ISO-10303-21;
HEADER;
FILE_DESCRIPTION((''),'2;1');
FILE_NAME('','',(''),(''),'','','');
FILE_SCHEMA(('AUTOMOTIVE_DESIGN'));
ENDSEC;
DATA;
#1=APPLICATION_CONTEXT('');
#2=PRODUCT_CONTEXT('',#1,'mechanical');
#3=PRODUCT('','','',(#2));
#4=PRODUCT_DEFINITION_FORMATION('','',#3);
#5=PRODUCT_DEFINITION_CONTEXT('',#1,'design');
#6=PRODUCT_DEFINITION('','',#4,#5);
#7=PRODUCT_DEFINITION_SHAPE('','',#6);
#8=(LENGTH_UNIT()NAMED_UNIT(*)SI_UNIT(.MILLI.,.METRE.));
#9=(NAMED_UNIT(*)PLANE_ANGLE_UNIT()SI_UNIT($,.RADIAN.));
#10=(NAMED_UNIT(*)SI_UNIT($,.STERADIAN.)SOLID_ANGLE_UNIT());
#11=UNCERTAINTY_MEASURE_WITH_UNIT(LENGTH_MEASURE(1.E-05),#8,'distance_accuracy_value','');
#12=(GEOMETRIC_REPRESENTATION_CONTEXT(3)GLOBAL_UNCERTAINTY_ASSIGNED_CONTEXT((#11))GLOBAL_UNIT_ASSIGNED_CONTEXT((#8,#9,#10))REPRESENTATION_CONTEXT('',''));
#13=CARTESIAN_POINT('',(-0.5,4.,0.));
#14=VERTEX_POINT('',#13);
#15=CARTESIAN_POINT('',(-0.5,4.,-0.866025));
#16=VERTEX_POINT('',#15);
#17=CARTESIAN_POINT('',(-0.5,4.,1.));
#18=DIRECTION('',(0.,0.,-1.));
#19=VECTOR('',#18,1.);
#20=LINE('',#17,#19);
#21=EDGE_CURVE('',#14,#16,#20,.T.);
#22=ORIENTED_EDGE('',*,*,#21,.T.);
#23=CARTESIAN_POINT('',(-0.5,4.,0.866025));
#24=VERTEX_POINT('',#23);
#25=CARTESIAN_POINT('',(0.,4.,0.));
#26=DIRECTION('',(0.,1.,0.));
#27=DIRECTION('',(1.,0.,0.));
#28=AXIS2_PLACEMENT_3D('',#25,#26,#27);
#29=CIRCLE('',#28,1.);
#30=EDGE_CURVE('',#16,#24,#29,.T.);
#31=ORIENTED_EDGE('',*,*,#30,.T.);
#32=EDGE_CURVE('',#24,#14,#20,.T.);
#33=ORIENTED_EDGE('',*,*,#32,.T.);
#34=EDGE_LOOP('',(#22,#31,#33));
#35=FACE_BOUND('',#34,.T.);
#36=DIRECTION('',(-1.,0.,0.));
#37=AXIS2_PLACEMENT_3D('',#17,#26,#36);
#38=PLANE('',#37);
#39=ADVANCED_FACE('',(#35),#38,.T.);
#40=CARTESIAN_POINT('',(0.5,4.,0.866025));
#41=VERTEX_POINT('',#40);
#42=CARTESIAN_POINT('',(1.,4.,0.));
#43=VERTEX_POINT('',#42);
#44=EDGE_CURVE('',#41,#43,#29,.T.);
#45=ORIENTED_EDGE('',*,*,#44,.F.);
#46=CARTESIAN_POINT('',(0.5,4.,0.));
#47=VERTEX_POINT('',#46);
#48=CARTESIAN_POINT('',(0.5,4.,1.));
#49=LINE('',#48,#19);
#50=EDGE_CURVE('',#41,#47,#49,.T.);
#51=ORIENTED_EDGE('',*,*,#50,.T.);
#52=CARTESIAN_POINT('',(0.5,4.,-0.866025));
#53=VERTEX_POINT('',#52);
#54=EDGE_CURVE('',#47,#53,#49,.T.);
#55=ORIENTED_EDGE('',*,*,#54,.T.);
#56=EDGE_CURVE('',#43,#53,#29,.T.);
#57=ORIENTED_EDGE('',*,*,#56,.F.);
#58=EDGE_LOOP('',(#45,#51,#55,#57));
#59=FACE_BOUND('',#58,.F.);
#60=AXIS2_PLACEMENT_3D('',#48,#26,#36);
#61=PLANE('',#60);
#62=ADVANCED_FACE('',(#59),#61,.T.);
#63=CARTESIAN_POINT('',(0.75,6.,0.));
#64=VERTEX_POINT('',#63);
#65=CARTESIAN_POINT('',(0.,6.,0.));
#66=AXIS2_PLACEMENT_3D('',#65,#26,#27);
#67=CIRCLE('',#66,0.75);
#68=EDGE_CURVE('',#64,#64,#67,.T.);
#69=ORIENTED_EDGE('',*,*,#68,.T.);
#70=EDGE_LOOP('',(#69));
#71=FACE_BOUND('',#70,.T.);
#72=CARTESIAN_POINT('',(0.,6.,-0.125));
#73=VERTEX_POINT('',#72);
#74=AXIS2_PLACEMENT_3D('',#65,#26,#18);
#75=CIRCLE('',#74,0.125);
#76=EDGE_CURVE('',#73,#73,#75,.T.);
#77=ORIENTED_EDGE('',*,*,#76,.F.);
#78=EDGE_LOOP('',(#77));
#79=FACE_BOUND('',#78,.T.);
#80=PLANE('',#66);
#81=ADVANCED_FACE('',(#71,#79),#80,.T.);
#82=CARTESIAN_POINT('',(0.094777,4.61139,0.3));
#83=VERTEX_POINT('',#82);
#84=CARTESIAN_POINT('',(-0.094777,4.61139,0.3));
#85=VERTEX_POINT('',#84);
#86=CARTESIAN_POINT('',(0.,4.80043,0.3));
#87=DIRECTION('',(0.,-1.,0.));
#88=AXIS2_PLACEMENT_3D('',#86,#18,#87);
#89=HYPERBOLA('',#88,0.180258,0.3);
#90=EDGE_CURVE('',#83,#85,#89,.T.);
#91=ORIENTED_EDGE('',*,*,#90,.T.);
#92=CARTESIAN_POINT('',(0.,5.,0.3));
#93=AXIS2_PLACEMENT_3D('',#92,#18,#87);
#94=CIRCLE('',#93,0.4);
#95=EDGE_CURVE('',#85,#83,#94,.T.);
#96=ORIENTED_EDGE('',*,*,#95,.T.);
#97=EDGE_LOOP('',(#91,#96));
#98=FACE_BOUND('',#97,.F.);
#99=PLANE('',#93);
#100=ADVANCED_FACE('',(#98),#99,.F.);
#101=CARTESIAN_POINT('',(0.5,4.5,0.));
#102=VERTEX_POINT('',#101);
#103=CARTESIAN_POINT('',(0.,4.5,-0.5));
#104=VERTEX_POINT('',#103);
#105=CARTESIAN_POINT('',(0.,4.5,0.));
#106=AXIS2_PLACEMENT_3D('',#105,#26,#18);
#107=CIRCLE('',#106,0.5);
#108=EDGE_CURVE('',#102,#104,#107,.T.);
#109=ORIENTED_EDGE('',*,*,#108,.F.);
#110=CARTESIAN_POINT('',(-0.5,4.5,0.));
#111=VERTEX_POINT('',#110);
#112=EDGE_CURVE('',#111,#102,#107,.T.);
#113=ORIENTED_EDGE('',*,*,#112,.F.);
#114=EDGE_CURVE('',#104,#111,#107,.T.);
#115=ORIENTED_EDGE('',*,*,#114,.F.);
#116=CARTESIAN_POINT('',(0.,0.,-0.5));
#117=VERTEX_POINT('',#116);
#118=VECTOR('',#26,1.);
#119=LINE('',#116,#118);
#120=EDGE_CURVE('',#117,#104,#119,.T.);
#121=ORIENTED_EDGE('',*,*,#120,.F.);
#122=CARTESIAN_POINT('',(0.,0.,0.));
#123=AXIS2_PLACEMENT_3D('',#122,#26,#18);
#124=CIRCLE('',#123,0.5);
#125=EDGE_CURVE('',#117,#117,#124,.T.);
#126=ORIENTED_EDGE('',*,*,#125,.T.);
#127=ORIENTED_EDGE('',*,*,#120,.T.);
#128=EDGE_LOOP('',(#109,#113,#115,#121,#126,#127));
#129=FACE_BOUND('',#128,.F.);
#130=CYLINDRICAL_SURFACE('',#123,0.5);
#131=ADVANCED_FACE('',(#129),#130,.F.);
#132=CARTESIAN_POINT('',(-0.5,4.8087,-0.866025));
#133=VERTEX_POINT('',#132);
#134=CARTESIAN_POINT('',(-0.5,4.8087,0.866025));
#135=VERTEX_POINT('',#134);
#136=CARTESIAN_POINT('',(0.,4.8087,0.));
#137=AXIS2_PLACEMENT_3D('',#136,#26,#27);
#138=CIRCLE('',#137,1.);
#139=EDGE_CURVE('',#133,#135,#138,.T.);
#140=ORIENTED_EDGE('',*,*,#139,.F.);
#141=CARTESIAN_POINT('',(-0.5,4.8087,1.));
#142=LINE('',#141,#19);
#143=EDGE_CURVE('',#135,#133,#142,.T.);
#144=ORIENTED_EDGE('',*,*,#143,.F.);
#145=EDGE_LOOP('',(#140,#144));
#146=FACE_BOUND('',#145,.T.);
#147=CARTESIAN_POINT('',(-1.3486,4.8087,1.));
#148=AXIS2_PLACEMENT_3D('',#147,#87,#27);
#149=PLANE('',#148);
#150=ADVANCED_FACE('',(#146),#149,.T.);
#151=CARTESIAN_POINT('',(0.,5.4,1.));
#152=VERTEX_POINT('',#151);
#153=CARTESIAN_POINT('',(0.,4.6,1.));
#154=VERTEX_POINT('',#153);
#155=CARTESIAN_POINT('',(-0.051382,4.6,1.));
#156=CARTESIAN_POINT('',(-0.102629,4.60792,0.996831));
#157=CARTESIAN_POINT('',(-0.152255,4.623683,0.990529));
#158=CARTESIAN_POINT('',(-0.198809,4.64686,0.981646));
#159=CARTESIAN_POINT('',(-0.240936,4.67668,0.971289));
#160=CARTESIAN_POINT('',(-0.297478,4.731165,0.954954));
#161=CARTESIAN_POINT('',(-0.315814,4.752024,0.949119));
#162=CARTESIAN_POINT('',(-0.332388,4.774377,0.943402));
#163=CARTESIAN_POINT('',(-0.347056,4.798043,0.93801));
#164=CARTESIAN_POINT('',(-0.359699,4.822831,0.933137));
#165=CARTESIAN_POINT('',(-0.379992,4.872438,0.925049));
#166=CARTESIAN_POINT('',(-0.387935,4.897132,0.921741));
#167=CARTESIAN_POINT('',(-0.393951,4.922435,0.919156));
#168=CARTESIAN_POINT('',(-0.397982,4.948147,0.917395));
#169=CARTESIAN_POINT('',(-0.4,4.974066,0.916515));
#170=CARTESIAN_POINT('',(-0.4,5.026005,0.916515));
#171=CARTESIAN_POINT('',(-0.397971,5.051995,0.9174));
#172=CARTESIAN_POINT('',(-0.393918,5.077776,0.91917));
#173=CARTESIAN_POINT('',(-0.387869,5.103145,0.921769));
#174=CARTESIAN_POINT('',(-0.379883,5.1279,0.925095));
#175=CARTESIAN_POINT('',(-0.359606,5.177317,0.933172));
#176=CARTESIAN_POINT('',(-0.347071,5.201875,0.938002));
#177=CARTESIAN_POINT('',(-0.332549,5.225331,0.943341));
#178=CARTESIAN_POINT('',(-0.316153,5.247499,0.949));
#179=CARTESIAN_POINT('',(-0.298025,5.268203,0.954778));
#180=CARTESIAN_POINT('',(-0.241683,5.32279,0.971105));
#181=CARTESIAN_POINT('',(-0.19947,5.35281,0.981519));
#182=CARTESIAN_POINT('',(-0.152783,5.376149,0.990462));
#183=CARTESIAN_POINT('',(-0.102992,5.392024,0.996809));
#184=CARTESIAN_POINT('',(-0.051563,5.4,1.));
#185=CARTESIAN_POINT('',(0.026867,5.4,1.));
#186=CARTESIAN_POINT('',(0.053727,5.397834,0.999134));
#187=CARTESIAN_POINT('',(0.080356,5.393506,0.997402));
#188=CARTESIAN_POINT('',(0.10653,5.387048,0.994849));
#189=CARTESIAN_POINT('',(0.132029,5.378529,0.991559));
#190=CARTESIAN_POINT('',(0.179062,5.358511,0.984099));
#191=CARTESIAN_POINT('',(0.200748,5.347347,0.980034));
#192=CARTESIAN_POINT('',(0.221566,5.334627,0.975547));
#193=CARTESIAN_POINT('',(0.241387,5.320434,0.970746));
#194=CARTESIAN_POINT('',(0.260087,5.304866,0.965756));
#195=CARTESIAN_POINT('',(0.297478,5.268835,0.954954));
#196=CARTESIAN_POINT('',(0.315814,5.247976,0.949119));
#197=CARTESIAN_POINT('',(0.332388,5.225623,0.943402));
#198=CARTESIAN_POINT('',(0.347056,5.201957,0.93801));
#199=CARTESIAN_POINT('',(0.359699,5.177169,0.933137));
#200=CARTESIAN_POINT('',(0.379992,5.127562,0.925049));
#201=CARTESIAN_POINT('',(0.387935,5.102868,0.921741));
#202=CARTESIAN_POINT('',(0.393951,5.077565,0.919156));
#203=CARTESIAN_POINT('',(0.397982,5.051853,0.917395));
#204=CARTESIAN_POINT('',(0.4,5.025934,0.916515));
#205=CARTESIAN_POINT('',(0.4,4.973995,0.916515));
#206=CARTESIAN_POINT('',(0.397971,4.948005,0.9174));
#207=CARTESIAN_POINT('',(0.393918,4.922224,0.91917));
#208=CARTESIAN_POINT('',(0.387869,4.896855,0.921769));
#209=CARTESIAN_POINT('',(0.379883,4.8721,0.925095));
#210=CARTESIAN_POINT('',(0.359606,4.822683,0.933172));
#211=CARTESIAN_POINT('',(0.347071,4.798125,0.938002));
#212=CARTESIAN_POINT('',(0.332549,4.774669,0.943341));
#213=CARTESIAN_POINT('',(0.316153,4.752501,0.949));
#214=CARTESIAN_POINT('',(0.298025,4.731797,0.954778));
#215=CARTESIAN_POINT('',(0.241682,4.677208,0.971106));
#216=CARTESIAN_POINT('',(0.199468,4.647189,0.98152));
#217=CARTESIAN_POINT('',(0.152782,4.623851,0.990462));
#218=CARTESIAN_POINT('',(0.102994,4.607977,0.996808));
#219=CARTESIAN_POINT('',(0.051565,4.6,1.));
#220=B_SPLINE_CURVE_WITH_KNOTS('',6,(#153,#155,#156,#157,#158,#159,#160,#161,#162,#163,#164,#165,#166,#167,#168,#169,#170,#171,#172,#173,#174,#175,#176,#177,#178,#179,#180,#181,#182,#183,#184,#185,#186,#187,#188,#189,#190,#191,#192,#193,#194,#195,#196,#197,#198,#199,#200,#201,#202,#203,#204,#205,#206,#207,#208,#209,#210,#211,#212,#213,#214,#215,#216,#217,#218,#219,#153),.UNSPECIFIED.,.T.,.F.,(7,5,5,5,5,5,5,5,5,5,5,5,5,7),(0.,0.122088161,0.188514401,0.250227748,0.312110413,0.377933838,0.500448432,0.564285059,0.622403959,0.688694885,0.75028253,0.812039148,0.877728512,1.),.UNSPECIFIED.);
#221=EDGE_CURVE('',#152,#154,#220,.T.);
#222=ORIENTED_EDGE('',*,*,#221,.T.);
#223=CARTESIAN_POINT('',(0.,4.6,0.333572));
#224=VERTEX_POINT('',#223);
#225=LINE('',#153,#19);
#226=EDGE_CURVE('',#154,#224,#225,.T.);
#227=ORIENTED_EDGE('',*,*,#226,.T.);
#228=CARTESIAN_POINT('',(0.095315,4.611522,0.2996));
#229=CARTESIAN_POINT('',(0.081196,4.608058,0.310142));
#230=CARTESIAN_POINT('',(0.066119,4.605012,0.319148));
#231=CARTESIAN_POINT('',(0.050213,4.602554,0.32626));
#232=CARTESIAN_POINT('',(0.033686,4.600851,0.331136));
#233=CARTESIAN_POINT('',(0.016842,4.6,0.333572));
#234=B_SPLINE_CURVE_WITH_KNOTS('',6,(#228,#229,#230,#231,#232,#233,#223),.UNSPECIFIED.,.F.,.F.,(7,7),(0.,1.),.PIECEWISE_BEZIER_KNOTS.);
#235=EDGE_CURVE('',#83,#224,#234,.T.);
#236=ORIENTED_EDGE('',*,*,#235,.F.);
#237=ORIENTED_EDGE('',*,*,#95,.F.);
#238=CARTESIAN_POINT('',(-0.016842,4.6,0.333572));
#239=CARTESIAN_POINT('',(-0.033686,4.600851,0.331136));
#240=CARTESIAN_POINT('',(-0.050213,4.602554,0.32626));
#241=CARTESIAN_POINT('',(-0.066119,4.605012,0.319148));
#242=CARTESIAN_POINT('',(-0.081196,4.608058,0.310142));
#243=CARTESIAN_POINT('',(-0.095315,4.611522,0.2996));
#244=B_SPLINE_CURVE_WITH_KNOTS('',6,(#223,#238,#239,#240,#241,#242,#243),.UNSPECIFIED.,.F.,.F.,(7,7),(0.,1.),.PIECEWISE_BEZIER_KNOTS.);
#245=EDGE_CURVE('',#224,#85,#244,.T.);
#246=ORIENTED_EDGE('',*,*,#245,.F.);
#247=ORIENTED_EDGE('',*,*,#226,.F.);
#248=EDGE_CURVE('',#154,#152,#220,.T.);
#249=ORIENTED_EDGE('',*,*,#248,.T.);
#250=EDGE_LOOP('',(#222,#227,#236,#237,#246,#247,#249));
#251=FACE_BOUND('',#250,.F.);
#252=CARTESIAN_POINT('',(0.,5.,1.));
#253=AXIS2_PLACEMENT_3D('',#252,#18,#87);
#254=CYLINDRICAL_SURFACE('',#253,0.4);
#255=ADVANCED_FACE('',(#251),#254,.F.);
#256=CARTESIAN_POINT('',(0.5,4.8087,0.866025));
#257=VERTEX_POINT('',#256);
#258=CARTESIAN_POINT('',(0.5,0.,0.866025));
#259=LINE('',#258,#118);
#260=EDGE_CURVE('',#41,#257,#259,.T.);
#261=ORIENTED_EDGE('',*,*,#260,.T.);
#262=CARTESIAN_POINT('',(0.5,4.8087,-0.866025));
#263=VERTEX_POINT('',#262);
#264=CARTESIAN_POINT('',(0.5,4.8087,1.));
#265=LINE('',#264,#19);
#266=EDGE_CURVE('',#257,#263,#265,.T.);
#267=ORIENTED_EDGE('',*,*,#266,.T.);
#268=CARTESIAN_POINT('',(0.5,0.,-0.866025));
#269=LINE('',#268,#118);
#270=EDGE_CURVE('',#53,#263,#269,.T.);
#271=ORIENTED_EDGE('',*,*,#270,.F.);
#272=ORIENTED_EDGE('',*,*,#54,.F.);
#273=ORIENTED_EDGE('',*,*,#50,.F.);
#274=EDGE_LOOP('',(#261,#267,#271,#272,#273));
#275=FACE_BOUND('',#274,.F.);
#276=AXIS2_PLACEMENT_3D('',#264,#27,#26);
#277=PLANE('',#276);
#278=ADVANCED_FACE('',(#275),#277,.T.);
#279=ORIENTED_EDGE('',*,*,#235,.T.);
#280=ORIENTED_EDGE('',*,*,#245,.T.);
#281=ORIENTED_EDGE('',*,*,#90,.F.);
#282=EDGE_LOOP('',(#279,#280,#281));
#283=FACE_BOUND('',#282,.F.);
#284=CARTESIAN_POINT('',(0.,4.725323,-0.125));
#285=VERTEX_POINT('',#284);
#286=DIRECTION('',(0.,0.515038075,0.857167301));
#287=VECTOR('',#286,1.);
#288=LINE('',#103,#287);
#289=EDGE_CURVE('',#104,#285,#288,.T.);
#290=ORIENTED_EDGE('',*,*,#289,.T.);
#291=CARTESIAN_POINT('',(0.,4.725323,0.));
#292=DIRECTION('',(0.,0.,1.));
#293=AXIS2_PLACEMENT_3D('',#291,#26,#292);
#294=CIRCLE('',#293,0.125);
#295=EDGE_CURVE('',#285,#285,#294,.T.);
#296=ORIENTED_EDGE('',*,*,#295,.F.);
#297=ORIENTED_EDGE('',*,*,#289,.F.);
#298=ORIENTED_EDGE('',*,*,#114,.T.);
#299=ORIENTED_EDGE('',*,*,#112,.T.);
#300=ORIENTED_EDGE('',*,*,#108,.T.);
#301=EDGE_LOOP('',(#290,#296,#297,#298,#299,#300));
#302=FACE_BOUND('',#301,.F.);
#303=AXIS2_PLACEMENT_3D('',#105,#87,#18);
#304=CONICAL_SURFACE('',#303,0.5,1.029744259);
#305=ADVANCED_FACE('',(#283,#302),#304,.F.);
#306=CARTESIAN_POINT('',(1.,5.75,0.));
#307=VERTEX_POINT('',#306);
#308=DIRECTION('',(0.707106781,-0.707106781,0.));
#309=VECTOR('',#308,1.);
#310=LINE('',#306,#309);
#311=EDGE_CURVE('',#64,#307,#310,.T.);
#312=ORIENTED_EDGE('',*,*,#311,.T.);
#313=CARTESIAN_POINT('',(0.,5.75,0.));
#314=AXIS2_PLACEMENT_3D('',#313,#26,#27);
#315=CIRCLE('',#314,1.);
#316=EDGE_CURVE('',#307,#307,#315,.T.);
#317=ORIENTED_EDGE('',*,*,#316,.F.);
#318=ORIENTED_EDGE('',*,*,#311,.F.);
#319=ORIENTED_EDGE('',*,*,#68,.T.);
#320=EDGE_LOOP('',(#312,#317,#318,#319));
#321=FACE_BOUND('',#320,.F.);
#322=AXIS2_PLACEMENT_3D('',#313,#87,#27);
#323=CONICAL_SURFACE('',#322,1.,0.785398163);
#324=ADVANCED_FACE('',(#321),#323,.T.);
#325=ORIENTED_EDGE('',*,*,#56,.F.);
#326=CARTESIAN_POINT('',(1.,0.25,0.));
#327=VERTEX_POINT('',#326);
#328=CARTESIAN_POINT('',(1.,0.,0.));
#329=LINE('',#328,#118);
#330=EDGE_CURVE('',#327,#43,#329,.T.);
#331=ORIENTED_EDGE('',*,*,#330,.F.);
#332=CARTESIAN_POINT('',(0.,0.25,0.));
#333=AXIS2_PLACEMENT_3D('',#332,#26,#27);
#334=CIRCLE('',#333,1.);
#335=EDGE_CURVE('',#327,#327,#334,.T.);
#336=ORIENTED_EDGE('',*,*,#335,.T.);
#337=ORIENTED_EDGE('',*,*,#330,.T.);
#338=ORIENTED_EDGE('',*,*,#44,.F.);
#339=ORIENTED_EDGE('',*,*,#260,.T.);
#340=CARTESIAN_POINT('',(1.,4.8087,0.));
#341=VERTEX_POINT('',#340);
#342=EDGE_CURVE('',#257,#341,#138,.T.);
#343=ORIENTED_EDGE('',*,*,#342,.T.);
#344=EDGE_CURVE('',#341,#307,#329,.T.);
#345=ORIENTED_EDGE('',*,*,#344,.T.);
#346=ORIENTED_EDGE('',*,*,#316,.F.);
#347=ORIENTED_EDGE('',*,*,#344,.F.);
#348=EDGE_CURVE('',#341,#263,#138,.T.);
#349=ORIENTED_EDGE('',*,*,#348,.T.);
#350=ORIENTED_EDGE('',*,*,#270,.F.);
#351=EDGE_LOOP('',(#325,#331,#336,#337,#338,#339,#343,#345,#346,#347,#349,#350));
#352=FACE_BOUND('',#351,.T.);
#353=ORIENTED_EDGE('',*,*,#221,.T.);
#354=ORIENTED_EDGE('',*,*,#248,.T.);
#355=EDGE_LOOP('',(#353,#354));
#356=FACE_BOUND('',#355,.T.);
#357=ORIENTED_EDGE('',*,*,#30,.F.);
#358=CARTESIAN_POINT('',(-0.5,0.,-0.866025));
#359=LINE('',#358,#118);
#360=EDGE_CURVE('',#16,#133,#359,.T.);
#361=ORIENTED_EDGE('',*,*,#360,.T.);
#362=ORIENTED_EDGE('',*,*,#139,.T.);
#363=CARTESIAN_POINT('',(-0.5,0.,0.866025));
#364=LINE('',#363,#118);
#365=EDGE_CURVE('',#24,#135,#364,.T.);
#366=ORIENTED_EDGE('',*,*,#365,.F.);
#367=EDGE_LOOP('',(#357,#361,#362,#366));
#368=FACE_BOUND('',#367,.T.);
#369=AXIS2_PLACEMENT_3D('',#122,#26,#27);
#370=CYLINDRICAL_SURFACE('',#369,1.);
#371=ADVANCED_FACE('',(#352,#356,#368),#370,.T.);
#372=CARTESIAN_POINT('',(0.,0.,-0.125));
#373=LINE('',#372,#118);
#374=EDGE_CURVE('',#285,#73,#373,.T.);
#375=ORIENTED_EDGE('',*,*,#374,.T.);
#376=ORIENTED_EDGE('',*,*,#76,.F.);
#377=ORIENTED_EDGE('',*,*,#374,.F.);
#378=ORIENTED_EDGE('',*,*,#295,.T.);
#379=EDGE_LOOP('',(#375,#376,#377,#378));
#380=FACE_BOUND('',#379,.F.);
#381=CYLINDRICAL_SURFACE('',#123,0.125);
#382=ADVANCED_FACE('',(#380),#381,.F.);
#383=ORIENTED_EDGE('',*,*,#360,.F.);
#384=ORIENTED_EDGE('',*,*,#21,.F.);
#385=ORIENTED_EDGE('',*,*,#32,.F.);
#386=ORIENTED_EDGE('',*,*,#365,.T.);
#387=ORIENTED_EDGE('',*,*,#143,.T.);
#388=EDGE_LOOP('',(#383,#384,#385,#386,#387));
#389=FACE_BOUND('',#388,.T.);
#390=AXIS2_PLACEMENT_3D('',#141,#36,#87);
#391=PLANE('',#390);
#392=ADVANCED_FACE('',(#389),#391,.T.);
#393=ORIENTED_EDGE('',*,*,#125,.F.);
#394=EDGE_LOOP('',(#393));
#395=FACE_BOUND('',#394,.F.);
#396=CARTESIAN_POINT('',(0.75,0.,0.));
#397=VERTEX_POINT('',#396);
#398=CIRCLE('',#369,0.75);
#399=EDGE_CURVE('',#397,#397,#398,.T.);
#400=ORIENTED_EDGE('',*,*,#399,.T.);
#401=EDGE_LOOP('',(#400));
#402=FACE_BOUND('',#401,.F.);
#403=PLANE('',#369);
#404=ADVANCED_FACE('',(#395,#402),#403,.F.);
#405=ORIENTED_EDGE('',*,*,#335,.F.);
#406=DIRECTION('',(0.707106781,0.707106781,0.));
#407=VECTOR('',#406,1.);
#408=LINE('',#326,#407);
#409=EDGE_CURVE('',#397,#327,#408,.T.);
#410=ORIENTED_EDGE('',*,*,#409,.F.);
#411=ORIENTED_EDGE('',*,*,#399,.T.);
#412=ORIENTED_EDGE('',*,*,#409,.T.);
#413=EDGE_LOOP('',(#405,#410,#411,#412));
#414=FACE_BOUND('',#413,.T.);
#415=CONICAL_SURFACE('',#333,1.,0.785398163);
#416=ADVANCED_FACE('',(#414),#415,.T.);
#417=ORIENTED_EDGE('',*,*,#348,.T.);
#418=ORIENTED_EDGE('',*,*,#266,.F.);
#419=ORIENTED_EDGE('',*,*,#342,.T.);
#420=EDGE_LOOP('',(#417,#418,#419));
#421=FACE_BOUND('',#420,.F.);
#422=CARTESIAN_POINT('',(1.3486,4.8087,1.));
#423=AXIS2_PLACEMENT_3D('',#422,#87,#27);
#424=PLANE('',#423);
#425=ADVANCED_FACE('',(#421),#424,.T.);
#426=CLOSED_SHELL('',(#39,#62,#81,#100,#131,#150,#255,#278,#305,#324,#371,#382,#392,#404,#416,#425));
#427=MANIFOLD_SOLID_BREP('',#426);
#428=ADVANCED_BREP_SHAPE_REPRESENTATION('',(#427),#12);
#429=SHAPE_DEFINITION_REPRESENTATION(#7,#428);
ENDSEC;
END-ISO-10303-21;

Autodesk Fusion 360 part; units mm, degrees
cylinder "CylinderPrimitive1" add diameter 2 height 6 placed x (1, 0, 0) y (0, 0, -1) z (0, 1, 0) at (0, 0, 0)
hole "Hole1" at (0, 0, 0) direction (0, 1, 0) diameter 1 depth 4.5 tip angle 118
hole "Hole2" at (0, 0, 0) direction (0, 1, 0) diameter 0.25 depth 12.5 tip angle 118
chamfer "Chamfer1" distance 0.25 angle 45 2 edges at (-0.9323, 6, 0.3616) (-0.9323, 0, -0.3616) measured on face at (0.7045, 6, 0.0528) measured on face at (0.8291, 0, 0.0621)
ref_plane "WorkPlane1" through (0, 3, 1) normal (0, 0, 1) x (1, 0, 0)
sketch "Sketch2" plane through (0, 3, 1) normal (0, 0, 1) x (1, 0, 0)
  line L0 (-1.3486, 1.8087) -> (-0.5, 1.8087)
  line L1 (-0.5, 1.8087) -> (-0.5, 1)
  line L2 (-0.5, 1) -> (-1.3486, 1)
  line L3 (-1.3486, 1) -> (-1.3486, 1.8087)
  point P0 (0, 2)
hole "Hole3" at (0, 5, 1) direction (0, 0, -1) diameter 0.8 depth 0.7 tip angle 180
extrude "Extrude1" cut sketch "Sketch2" against normal blind 2.5
mirror "Mirror1" about plane through (0, 0, 0) normal (1, 0, 0) of "Extrude1"
